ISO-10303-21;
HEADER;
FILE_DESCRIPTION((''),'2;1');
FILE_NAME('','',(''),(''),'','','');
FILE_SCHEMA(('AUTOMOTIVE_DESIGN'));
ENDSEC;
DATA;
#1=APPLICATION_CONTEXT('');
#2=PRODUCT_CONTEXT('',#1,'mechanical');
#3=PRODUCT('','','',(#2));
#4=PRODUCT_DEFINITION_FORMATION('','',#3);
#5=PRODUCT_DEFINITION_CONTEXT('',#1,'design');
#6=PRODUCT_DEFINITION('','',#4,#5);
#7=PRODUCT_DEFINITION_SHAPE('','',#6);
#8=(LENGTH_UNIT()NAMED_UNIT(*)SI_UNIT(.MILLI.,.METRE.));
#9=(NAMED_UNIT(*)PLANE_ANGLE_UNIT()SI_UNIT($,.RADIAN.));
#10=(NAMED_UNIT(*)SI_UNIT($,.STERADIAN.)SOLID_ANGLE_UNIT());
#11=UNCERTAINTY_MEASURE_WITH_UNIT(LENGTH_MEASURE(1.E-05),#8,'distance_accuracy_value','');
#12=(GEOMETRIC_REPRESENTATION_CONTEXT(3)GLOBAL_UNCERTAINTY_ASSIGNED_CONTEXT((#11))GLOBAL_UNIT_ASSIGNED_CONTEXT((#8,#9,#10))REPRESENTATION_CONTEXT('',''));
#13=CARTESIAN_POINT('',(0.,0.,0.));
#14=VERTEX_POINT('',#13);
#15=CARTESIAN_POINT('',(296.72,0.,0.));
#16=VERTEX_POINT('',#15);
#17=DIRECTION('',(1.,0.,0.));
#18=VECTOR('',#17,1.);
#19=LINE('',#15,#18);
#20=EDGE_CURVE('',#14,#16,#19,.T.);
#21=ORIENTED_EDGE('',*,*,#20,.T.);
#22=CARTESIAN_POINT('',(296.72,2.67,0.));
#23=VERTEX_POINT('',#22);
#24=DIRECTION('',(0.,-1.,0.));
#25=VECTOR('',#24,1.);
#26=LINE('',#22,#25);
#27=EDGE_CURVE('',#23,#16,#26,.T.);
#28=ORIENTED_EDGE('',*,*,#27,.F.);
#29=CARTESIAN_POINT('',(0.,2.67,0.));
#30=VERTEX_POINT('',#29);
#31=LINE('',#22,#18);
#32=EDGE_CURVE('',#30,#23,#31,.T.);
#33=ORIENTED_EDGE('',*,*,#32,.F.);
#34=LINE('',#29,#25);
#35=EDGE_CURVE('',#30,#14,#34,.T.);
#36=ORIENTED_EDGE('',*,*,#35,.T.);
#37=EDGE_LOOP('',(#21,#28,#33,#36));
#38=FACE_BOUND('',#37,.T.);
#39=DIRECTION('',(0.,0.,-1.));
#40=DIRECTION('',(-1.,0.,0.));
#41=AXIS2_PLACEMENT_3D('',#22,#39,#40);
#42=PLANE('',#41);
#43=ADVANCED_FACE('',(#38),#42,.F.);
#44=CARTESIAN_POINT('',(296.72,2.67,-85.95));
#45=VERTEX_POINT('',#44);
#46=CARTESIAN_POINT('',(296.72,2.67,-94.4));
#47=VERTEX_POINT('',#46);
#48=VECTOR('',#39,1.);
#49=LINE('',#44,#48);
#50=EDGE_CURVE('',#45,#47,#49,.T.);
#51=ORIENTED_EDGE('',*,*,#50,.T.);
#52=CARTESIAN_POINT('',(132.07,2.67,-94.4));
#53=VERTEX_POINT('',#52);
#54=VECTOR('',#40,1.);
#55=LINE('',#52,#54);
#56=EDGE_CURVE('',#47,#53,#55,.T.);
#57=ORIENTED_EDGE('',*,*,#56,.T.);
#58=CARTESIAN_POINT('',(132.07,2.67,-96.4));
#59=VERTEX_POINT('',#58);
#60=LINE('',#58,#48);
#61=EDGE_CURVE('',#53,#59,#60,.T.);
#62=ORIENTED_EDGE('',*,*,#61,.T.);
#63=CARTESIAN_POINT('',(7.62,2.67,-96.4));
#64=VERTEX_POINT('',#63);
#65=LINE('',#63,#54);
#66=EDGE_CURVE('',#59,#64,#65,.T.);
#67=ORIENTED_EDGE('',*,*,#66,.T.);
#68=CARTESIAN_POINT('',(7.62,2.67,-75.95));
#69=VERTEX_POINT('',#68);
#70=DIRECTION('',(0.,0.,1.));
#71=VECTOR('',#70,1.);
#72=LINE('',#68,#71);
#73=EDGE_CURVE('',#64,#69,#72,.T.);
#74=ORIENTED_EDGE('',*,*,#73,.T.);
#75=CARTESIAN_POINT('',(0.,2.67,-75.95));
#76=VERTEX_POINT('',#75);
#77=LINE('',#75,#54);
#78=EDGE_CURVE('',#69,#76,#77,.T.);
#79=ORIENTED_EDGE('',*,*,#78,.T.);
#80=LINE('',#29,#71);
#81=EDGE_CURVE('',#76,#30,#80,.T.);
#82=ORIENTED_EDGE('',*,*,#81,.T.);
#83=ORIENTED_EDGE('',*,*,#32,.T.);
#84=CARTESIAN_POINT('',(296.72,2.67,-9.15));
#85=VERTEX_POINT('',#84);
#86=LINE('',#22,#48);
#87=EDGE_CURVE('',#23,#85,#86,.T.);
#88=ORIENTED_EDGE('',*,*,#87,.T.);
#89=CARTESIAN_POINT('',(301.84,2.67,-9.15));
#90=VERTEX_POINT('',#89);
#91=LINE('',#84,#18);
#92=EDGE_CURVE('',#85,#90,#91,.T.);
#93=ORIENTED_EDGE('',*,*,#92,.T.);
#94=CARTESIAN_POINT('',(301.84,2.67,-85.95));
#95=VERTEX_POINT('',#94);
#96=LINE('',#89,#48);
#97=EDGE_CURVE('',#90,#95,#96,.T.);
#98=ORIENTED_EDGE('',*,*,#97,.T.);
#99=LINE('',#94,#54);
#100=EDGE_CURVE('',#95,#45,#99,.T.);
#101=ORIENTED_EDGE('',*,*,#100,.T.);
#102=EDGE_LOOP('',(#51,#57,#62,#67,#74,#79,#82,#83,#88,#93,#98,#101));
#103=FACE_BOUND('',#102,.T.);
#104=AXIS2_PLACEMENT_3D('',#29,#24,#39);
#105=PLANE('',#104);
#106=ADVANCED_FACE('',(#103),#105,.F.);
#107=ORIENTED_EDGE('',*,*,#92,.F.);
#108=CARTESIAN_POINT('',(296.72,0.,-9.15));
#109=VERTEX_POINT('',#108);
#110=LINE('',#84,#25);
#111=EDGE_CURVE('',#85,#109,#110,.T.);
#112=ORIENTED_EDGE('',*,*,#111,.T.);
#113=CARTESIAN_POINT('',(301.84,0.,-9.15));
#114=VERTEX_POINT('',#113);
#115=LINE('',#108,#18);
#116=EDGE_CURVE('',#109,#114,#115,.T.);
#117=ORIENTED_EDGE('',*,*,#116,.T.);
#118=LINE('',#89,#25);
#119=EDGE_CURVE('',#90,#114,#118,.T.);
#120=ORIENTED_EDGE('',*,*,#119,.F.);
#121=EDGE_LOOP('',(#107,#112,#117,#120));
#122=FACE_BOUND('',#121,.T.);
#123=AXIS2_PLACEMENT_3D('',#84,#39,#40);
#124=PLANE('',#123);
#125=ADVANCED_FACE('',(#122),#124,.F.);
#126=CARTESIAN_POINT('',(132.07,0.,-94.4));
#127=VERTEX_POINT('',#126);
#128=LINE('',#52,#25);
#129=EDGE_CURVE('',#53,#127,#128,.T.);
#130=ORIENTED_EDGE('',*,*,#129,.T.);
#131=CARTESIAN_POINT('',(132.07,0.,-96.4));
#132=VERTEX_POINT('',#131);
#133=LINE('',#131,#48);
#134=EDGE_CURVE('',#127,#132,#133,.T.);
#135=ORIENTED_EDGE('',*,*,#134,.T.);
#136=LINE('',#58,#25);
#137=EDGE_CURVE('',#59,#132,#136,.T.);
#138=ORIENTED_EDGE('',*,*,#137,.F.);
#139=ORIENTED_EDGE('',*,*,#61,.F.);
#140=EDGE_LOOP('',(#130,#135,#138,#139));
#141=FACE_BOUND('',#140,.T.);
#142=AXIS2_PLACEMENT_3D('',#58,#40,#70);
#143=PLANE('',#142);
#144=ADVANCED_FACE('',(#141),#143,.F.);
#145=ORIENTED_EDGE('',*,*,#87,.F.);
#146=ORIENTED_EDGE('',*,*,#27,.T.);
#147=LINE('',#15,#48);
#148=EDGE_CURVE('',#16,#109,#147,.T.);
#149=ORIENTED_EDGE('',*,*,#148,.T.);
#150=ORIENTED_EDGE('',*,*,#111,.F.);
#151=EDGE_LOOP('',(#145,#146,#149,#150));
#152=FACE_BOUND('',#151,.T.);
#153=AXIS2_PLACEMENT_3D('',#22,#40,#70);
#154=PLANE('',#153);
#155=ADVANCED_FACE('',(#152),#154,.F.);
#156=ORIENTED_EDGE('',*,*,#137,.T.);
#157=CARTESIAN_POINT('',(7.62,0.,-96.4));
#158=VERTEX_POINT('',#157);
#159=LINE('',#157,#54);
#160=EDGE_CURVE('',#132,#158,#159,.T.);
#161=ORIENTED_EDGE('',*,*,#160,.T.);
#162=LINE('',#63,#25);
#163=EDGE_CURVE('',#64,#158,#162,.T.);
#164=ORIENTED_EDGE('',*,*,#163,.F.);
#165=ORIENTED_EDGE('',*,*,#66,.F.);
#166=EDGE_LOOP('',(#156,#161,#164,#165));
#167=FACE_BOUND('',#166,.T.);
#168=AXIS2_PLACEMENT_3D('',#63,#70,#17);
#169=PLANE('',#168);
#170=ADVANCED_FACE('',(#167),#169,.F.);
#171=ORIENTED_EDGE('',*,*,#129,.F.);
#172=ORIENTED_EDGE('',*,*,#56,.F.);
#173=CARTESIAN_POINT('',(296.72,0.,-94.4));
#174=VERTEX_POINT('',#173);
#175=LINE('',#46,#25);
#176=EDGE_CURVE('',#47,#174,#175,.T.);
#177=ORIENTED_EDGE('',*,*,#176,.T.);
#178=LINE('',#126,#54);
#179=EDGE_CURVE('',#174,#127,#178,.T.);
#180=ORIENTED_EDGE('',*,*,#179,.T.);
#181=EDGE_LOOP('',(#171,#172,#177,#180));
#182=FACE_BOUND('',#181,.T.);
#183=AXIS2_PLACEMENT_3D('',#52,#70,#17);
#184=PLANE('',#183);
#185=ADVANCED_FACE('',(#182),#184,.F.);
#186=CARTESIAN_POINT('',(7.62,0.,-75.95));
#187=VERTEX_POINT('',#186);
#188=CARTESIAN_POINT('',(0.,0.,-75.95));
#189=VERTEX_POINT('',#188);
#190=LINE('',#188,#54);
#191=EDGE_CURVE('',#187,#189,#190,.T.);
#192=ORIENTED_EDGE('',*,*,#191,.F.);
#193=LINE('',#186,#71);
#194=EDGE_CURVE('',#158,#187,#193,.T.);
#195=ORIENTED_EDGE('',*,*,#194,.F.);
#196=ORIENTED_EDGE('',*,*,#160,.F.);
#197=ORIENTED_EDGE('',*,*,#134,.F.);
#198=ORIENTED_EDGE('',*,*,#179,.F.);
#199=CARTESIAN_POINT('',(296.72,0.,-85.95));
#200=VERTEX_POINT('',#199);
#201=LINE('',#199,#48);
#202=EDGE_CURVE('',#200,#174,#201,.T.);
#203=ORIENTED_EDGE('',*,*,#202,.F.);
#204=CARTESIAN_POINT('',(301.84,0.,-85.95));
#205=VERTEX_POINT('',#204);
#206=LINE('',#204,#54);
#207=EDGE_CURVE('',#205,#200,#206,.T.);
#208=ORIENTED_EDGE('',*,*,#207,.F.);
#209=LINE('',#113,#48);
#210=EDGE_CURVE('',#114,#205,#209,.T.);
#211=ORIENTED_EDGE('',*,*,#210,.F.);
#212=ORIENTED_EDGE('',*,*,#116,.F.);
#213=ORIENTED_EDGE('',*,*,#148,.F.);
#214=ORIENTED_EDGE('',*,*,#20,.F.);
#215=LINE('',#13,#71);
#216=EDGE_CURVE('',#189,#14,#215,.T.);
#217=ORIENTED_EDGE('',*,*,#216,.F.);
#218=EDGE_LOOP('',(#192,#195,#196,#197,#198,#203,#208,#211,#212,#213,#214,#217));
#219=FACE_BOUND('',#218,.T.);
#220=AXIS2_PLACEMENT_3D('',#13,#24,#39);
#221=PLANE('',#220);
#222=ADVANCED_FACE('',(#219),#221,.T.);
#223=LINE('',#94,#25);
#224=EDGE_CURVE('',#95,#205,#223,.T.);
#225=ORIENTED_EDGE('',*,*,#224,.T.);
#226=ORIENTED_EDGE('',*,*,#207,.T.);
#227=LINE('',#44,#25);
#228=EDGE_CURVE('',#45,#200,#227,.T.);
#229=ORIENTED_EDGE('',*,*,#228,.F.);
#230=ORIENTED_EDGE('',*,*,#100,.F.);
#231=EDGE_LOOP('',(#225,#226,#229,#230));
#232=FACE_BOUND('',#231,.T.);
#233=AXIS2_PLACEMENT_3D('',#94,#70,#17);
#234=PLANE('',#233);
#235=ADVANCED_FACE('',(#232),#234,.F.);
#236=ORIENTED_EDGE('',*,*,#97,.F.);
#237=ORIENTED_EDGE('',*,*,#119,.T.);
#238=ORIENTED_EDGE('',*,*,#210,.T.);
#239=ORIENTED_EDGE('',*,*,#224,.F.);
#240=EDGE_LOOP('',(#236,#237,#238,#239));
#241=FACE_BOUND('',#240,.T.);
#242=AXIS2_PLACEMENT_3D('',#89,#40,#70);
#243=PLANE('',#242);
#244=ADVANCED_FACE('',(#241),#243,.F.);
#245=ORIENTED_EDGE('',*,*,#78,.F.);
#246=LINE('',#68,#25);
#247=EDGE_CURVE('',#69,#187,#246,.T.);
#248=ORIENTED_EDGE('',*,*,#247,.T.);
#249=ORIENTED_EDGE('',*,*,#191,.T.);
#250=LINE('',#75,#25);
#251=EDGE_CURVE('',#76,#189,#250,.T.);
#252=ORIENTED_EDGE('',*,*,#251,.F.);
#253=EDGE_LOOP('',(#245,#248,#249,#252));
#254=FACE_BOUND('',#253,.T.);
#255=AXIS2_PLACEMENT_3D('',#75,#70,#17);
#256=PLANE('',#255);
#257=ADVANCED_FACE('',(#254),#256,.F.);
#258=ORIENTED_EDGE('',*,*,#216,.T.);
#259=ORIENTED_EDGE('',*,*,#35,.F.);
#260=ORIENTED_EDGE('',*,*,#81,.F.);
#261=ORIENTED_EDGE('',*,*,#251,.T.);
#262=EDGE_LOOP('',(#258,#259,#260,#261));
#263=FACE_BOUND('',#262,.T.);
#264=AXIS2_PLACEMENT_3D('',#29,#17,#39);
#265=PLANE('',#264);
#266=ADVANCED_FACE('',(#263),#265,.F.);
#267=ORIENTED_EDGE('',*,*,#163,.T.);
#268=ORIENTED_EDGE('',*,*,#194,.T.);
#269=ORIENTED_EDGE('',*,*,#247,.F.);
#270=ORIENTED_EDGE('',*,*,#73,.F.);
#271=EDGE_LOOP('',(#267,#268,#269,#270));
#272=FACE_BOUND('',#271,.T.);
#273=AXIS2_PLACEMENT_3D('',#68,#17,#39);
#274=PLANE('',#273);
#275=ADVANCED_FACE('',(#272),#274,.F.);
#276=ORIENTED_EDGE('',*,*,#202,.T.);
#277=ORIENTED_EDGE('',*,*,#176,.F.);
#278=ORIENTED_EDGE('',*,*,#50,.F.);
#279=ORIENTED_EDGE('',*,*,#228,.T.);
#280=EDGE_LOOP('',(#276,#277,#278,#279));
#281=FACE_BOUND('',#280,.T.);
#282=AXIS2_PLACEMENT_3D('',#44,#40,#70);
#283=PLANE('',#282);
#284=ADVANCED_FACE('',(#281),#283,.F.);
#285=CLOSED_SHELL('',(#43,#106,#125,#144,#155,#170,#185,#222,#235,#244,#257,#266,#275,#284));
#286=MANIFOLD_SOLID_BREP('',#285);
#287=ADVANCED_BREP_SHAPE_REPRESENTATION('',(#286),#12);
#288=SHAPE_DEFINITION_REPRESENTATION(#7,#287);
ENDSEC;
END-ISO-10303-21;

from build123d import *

# Parameters (mm, degrees)
BOSS_EXTRUDE1_DEPTH = 2.67


with BuildPart() as part:
    # Sketch1 → Boss-Extrude1 (new body)
    with BuildSketch(Plane(origin=(0, 0, 0), x_dir=(1, 0, 0), z_dir=(0, 1, 0))):
        Polygon((0, 0), (0, 75.95), (7.62, 75.95), (7.62, 96.4), (132.07, 96.4), (132.07, 94.4), (296.72, 94.4), (296.72, 85.95), (301.84, 85.95), (301.84, 9.15), (296.72, 9.15), (296.72, 0), align=None)
    extrude(amount=BOSS_EXTRUDE1_DEPTH)


solid = part.part
